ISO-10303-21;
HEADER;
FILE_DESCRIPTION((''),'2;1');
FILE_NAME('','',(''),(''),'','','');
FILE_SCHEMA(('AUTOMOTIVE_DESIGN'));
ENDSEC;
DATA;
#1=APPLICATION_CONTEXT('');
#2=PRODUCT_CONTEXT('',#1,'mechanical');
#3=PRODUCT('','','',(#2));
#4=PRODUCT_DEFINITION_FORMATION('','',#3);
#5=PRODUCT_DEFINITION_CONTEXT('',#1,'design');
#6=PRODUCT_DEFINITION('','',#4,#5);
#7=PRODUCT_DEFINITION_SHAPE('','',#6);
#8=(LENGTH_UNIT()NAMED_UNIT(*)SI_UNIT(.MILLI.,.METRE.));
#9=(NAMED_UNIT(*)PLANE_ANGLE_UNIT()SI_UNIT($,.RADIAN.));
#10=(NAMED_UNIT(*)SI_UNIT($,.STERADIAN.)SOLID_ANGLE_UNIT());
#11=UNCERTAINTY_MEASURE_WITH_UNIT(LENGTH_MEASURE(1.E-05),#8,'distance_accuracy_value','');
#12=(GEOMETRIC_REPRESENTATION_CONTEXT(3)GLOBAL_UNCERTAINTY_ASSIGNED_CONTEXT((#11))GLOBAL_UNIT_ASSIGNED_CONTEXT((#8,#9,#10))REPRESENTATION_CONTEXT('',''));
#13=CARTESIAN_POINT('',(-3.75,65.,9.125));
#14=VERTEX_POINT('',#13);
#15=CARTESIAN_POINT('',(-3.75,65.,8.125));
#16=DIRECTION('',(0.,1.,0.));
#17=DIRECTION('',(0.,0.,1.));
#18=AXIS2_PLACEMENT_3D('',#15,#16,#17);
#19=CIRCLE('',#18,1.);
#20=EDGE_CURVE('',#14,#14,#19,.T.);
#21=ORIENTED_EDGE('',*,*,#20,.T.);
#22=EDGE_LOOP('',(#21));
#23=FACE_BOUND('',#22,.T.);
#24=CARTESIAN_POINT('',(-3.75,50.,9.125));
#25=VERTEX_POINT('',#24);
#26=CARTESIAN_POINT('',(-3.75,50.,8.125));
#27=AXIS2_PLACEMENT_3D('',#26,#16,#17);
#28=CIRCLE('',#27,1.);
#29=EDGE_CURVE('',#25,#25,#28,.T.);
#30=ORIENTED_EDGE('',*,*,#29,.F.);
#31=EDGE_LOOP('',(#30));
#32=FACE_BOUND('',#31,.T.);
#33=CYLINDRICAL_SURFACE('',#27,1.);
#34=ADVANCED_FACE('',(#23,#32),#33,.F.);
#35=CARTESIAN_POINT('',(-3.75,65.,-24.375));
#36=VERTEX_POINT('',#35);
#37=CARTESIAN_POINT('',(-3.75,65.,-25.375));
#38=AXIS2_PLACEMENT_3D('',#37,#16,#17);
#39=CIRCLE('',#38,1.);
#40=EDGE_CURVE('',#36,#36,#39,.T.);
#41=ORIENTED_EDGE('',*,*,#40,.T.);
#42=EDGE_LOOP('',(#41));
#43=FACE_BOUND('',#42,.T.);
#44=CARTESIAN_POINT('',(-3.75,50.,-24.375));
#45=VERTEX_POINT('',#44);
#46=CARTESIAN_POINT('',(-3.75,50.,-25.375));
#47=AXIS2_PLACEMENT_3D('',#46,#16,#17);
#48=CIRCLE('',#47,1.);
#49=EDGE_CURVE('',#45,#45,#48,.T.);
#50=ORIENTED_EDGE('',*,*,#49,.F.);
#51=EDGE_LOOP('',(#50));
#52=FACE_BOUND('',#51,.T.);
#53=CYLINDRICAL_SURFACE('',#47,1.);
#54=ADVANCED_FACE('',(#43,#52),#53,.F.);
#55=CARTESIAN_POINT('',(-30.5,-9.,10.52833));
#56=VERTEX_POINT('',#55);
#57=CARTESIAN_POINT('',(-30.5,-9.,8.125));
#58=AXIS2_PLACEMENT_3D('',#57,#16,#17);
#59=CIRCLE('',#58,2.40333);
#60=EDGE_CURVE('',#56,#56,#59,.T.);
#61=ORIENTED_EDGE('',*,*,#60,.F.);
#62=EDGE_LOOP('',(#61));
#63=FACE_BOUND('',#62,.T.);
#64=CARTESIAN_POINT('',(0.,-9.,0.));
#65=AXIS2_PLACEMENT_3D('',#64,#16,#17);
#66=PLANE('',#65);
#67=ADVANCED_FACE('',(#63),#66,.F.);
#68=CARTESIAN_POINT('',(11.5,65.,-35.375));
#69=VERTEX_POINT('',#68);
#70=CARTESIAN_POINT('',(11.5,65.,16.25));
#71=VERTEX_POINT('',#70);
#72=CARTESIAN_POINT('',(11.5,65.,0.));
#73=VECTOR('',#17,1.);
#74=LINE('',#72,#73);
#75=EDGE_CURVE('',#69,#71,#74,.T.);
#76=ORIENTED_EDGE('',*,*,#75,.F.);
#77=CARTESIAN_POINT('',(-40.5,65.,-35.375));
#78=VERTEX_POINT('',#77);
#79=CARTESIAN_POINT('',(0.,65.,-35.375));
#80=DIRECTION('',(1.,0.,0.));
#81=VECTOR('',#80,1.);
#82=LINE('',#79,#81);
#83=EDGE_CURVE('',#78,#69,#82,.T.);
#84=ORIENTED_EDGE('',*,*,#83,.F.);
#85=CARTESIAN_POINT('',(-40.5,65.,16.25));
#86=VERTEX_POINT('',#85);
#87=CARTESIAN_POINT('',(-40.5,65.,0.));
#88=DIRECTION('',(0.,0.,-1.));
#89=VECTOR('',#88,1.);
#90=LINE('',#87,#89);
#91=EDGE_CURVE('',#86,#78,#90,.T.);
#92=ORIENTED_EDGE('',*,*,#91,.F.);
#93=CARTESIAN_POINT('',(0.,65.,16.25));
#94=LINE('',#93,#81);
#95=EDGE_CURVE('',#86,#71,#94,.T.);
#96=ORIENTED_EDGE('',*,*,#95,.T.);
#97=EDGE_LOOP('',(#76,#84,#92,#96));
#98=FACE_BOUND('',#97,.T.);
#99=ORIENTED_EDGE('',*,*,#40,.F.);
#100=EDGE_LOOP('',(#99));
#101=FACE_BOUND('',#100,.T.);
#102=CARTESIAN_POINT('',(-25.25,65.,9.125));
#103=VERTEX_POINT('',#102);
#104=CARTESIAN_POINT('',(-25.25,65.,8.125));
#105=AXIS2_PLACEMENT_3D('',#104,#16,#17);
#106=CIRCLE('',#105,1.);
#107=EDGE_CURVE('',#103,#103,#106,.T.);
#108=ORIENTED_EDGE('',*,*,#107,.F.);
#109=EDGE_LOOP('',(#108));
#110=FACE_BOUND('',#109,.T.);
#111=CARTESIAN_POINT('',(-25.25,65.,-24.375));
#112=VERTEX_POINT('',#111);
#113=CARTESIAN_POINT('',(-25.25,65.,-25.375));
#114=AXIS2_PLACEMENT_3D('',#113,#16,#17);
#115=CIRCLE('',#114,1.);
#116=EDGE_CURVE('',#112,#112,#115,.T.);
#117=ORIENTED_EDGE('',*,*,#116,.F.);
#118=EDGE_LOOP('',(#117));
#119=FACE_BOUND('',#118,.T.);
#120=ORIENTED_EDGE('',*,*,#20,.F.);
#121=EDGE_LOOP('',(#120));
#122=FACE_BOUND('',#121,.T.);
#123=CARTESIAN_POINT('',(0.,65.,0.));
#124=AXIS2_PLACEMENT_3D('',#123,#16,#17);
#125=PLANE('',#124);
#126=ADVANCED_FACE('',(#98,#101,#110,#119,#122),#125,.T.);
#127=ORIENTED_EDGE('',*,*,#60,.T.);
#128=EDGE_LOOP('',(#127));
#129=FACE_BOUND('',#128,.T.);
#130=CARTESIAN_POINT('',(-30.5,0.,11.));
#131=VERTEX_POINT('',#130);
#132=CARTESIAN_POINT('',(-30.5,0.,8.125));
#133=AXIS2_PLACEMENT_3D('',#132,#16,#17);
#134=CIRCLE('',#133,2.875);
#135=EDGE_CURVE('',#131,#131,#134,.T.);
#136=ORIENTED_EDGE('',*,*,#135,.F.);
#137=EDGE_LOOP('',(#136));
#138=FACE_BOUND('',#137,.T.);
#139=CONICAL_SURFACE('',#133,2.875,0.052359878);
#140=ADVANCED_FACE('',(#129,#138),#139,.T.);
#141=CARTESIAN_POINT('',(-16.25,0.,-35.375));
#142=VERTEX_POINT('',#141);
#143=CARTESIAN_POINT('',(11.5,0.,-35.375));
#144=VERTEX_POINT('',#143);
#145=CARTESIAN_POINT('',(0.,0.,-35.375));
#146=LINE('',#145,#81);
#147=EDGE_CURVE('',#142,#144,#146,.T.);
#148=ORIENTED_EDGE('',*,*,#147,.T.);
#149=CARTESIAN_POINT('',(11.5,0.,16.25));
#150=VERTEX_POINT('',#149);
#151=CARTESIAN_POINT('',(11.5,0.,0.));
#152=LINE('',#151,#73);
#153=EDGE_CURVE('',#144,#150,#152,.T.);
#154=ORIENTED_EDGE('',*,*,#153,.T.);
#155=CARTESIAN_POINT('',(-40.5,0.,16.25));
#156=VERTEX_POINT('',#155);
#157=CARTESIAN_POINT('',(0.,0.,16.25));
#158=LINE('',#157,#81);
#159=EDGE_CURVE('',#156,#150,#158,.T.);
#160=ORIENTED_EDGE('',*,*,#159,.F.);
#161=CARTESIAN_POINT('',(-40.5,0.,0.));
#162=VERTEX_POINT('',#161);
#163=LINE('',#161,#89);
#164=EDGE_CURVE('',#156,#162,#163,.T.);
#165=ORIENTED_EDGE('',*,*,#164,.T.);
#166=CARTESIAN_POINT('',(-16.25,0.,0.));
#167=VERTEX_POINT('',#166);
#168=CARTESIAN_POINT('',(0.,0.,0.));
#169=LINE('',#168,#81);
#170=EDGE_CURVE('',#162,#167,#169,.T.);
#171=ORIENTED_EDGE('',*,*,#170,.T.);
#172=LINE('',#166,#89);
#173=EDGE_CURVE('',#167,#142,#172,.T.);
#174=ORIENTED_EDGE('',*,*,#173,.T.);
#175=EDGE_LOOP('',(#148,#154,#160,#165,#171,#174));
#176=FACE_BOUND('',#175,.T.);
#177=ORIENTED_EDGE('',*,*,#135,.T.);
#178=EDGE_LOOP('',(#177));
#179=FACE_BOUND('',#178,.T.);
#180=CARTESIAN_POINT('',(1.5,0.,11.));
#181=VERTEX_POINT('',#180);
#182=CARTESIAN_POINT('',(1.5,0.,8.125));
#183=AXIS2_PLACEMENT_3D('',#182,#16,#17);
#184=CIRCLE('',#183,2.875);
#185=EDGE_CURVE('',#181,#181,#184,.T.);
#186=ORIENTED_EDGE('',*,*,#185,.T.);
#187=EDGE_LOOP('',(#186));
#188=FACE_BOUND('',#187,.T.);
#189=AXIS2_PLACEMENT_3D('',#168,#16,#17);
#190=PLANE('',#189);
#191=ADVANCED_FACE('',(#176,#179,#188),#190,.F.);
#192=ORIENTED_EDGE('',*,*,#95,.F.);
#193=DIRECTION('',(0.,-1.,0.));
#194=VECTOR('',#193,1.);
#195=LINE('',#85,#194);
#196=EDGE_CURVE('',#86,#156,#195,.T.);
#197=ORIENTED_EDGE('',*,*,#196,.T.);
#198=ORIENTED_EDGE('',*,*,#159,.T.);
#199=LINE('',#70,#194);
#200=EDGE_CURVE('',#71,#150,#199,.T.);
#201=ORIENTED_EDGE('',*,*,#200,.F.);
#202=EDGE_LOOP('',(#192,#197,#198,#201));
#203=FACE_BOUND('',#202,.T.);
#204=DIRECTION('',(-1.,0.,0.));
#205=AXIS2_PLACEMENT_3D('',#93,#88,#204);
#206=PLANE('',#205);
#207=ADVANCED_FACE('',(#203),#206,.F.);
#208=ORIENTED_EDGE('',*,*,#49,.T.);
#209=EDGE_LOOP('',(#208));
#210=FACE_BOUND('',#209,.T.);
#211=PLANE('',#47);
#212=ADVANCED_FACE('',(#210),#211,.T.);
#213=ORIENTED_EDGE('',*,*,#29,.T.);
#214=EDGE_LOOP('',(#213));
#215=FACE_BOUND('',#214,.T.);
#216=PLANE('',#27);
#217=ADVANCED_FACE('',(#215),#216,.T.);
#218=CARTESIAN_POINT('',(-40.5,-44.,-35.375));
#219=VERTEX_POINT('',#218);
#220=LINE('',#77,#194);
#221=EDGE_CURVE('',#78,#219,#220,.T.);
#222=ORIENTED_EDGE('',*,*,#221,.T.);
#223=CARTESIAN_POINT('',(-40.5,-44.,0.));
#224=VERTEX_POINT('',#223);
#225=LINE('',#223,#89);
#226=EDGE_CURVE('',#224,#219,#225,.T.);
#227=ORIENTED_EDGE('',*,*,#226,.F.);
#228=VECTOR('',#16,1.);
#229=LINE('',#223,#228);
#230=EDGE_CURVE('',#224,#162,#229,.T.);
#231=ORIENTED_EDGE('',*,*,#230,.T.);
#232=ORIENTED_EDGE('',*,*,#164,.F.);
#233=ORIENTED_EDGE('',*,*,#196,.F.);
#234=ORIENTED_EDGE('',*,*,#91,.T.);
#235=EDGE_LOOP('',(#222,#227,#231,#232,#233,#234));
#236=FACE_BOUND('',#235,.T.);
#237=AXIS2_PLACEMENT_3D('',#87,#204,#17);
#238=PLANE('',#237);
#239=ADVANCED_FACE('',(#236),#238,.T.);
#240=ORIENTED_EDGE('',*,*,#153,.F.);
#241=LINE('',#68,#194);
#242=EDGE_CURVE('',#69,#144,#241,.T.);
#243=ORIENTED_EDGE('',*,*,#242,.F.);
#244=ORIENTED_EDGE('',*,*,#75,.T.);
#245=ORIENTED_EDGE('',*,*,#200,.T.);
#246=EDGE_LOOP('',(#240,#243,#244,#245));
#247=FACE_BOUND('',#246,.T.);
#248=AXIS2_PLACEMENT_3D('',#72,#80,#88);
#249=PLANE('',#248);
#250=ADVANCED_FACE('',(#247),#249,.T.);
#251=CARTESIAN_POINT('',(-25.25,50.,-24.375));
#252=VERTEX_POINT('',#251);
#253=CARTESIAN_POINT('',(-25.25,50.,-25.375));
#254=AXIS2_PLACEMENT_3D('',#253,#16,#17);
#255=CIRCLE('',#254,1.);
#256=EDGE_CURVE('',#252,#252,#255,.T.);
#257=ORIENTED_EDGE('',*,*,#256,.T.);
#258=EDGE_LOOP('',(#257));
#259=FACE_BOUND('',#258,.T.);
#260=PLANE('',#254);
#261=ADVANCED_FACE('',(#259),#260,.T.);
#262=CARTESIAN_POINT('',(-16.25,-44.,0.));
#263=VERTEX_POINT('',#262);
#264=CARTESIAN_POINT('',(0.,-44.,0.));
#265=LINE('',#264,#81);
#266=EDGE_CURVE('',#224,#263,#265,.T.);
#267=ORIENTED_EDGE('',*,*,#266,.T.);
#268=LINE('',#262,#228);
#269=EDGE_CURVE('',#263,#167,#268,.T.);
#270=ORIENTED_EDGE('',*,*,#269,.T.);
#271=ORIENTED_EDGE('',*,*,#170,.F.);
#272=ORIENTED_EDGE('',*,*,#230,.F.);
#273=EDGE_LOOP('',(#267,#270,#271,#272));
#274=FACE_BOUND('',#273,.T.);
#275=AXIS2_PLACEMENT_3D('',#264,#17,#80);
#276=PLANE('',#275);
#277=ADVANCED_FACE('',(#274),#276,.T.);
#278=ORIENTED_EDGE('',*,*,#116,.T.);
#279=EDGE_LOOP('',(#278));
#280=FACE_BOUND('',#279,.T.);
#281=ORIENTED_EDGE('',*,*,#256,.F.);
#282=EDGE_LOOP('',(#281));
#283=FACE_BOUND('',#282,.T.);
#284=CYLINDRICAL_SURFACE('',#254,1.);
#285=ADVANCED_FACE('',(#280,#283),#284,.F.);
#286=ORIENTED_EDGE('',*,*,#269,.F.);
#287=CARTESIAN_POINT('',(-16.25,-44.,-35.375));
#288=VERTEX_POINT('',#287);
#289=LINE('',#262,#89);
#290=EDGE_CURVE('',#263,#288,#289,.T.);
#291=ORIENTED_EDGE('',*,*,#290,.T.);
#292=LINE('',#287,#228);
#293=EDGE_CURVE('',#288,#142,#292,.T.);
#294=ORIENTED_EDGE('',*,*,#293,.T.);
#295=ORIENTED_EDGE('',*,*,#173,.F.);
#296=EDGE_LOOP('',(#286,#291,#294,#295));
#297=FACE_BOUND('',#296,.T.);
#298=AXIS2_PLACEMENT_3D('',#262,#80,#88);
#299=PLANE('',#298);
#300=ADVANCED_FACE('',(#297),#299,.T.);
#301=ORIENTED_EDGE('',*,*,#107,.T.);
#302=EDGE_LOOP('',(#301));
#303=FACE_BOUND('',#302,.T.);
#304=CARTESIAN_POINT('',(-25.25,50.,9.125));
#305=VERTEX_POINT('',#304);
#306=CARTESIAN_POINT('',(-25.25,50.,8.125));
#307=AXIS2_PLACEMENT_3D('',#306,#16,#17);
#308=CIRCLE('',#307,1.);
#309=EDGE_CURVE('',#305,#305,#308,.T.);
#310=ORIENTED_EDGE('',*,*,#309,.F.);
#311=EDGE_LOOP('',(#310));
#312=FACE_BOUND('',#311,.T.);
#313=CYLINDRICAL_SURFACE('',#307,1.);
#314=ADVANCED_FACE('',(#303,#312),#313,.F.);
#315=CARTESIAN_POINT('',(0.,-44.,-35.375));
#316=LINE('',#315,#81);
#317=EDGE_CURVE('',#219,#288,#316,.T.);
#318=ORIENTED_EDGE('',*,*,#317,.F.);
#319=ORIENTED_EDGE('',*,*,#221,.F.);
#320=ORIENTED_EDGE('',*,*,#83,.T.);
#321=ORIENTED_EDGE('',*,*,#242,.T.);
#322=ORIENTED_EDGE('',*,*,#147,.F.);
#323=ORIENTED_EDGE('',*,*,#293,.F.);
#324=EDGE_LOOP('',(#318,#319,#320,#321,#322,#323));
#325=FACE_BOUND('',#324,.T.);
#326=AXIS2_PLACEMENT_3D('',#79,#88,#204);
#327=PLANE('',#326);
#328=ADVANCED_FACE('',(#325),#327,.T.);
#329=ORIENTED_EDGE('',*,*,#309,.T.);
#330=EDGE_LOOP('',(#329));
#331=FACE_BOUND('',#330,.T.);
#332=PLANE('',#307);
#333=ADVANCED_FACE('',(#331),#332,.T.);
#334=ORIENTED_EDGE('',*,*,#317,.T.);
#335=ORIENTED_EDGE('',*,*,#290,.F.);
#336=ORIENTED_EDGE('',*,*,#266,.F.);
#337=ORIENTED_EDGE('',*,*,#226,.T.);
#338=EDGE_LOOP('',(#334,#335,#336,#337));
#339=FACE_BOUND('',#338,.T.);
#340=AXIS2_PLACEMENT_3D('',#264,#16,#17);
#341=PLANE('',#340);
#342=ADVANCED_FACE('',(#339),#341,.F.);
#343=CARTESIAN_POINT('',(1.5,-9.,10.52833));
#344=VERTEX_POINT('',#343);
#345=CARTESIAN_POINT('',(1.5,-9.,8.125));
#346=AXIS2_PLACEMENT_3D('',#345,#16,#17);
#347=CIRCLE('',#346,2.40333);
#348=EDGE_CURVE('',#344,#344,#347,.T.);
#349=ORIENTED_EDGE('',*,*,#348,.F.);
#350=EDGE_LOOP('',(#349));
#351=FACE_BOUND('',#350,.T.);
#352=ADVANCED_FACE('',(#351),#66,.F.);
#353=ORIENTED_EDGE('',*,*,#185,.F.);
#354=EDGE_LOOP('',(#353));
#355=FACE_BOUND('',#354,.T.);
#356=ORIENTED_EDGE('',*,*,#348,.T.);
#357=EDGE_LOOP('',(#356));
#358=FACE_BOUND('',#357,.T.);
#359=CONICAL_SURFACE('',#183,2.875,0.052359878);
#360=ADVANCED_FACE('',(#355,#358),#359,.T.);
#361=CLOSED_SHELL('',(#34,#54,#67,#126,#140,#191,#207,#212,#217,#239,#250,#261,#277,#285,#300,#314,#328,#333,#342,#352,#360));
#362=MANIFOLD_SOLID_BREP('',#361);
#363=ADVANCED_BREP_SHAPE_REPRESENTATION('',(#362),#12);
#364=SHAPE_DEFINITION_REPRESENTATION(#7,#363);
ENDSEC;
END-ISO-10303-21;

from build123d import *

# Parameters (mm, degrees)
SKETCH1_W           = 24.25
SKETCH1_H           = 35.375
SKETCH1_R           = 1
SKETCH1_W_2         = 16.25
SKETCH1_W_3         = 11.5
SKETCH1_R_2         = 2.875
BOSS_EXTRUDE1_DEPTH = 65
CUT_EXTRUDE1_START  = 65
SKETCH1_3_R         = 1
CUT_EXTRUDE1_DEPTH  = 15
SKETCH1_4_W         = 24.25
SKETCH1_4_H         = 35.375
SKETCH1_4_R         = 1
BOSS_EXTRUDE2_DEPTH = 44
SKETCH1_5_R         = 2.875
BOSS_EXTRUDE3_DEPTH = 9
BOSS_EXTRUDE3_TAPER = 3


with BuildPart() as part:
    # Sketch1 → Boss-Extrude1 (new body)
    with BuildSketch(Plane(origin=(0, 0, 0), x_dir=(1, 0, 0), z_dir=(0, 1, 0))):
        with Locations((-28.375, 17.6875)):
            Rectangle(SKETCH1_W, SKETCH1_H)
        with Locations((-25.25, 25.375)):
            Circle(SKETCH1_R, mode=Mode.SUBTRACT)
        with Locations((-8.125, 17.6875)):
            Rectangle(SKETCH1_W_2, SKETCH1_H)
        with Locations((-3.75, 25.375)):
            Circle(SKETCH1_R, mode=Mode.SUBTRACT)
        with Locations((5.75, 17.6875)):
            Rectangle(SKETCH1_W_3, SKETCH1_H)
        Polygon((11.5, 0), (0, 0), (-16.25, 0), (-40.5, 0), (-40.5, -16.25), (11.5, -16.25), align=None)
        with Locations((-30.5, -8.125)):
            Circle(SKETCH1_R_2, mode=Mode.SUBTRACT)
        with Locations((-25.25, -8.125)):
            Circle(SKETCH1_R, mode=Mode.SUBTRACT)
        with Locations((-3.75, -8.125)):
            Circle(SKETCH1_R, mode=Mode.SUBTRACT)
        with Locations((1.5, -8.125)):
            Circle(SKETCH1_R_2, mode=Mode.SUBTRACT)
        with Locations((-30.5, -8.125)):
            Circle(SKETCH1_R_2)
        with Locations((1.5, -8.125)):
            Circle(SKETCH1_R_2)
        with Locations((-3.75, -8.125)):
            Circle(SKETCH1_R)
        with Locations((-3.75, 25.375)):
            Circle(SKETCH1_R)
        with Locations((-25.25, 25.375)):
            Circle(SKETCH1_R)
        with Locations((-25.25, -8.125)):
            Circle(SKETCH1_R)
    extrude(amount=BOSS_EXTRUDE1_DEPTH)

    # Sketch1<3> → Cut-Extrude1 (cut)
    with BuildSketch(Plane(origin=(0, 0, 0), x_dir=(1, 0, 0), z_dir=(0, 1, 0)).offset(CUT_EXTRUDE1_START)):
        with Locations((-3.75, -8.125)):
            Circle(SKETCH1_3_R)
        with Locations((-25.25, -8.125)):
            Circle(SKETCH1_3_R)
        with Locations((-3.75, 25.375)):
            Circle(SKETCH1_3_R)
        with Locations((-25.25, 25.375)):
            Circle(SKETCH1_3_R)
    extrude(amount=-CUT_EXTRUDE1_DEPTH, mode=Mode.SUBTRACT)

    # Sketch1<4> → Boss-Extrude2 (add)
    with BuildSketch(Plane(origin=(0, 0, 0), x_dir=(1, 0, 0), z_dir=(0, 1, 0))):
        with Locations((-28.375, 17.6875)):
            Rectangle(SKETCH1_4_W, SKETCH1_4_H)
        with Locations((-25.25, 25.375)):
            Circle(SKETCH1_4_R, mode=Mode.SUBTRACT)
        with Locations((-25.25, 25.375)):
            Circle(SKETCH1_4_R)
    extrude(amount=-BOSS_EXTRUDE2_DEPTH)

    # Sketch1<5> → Boss-Extrude3 (add)
    with BuildSketch(Plane(origin=(0, 0, 0), x_dir=(1, 0, 0), z_dir=(0, 1, 0))):
        with Locations((1.5, -8.125)):
            Circle(SKETCH1_5_R)
        with Locations((-30.5, -8.125)):
            Circle(SKETCH1_5_R)
    extrude(amount=-BOSS_EXTRUDE3_DEPTH, taper=BOSS_EXTRUDE3_TAPER)


solid = part.part
